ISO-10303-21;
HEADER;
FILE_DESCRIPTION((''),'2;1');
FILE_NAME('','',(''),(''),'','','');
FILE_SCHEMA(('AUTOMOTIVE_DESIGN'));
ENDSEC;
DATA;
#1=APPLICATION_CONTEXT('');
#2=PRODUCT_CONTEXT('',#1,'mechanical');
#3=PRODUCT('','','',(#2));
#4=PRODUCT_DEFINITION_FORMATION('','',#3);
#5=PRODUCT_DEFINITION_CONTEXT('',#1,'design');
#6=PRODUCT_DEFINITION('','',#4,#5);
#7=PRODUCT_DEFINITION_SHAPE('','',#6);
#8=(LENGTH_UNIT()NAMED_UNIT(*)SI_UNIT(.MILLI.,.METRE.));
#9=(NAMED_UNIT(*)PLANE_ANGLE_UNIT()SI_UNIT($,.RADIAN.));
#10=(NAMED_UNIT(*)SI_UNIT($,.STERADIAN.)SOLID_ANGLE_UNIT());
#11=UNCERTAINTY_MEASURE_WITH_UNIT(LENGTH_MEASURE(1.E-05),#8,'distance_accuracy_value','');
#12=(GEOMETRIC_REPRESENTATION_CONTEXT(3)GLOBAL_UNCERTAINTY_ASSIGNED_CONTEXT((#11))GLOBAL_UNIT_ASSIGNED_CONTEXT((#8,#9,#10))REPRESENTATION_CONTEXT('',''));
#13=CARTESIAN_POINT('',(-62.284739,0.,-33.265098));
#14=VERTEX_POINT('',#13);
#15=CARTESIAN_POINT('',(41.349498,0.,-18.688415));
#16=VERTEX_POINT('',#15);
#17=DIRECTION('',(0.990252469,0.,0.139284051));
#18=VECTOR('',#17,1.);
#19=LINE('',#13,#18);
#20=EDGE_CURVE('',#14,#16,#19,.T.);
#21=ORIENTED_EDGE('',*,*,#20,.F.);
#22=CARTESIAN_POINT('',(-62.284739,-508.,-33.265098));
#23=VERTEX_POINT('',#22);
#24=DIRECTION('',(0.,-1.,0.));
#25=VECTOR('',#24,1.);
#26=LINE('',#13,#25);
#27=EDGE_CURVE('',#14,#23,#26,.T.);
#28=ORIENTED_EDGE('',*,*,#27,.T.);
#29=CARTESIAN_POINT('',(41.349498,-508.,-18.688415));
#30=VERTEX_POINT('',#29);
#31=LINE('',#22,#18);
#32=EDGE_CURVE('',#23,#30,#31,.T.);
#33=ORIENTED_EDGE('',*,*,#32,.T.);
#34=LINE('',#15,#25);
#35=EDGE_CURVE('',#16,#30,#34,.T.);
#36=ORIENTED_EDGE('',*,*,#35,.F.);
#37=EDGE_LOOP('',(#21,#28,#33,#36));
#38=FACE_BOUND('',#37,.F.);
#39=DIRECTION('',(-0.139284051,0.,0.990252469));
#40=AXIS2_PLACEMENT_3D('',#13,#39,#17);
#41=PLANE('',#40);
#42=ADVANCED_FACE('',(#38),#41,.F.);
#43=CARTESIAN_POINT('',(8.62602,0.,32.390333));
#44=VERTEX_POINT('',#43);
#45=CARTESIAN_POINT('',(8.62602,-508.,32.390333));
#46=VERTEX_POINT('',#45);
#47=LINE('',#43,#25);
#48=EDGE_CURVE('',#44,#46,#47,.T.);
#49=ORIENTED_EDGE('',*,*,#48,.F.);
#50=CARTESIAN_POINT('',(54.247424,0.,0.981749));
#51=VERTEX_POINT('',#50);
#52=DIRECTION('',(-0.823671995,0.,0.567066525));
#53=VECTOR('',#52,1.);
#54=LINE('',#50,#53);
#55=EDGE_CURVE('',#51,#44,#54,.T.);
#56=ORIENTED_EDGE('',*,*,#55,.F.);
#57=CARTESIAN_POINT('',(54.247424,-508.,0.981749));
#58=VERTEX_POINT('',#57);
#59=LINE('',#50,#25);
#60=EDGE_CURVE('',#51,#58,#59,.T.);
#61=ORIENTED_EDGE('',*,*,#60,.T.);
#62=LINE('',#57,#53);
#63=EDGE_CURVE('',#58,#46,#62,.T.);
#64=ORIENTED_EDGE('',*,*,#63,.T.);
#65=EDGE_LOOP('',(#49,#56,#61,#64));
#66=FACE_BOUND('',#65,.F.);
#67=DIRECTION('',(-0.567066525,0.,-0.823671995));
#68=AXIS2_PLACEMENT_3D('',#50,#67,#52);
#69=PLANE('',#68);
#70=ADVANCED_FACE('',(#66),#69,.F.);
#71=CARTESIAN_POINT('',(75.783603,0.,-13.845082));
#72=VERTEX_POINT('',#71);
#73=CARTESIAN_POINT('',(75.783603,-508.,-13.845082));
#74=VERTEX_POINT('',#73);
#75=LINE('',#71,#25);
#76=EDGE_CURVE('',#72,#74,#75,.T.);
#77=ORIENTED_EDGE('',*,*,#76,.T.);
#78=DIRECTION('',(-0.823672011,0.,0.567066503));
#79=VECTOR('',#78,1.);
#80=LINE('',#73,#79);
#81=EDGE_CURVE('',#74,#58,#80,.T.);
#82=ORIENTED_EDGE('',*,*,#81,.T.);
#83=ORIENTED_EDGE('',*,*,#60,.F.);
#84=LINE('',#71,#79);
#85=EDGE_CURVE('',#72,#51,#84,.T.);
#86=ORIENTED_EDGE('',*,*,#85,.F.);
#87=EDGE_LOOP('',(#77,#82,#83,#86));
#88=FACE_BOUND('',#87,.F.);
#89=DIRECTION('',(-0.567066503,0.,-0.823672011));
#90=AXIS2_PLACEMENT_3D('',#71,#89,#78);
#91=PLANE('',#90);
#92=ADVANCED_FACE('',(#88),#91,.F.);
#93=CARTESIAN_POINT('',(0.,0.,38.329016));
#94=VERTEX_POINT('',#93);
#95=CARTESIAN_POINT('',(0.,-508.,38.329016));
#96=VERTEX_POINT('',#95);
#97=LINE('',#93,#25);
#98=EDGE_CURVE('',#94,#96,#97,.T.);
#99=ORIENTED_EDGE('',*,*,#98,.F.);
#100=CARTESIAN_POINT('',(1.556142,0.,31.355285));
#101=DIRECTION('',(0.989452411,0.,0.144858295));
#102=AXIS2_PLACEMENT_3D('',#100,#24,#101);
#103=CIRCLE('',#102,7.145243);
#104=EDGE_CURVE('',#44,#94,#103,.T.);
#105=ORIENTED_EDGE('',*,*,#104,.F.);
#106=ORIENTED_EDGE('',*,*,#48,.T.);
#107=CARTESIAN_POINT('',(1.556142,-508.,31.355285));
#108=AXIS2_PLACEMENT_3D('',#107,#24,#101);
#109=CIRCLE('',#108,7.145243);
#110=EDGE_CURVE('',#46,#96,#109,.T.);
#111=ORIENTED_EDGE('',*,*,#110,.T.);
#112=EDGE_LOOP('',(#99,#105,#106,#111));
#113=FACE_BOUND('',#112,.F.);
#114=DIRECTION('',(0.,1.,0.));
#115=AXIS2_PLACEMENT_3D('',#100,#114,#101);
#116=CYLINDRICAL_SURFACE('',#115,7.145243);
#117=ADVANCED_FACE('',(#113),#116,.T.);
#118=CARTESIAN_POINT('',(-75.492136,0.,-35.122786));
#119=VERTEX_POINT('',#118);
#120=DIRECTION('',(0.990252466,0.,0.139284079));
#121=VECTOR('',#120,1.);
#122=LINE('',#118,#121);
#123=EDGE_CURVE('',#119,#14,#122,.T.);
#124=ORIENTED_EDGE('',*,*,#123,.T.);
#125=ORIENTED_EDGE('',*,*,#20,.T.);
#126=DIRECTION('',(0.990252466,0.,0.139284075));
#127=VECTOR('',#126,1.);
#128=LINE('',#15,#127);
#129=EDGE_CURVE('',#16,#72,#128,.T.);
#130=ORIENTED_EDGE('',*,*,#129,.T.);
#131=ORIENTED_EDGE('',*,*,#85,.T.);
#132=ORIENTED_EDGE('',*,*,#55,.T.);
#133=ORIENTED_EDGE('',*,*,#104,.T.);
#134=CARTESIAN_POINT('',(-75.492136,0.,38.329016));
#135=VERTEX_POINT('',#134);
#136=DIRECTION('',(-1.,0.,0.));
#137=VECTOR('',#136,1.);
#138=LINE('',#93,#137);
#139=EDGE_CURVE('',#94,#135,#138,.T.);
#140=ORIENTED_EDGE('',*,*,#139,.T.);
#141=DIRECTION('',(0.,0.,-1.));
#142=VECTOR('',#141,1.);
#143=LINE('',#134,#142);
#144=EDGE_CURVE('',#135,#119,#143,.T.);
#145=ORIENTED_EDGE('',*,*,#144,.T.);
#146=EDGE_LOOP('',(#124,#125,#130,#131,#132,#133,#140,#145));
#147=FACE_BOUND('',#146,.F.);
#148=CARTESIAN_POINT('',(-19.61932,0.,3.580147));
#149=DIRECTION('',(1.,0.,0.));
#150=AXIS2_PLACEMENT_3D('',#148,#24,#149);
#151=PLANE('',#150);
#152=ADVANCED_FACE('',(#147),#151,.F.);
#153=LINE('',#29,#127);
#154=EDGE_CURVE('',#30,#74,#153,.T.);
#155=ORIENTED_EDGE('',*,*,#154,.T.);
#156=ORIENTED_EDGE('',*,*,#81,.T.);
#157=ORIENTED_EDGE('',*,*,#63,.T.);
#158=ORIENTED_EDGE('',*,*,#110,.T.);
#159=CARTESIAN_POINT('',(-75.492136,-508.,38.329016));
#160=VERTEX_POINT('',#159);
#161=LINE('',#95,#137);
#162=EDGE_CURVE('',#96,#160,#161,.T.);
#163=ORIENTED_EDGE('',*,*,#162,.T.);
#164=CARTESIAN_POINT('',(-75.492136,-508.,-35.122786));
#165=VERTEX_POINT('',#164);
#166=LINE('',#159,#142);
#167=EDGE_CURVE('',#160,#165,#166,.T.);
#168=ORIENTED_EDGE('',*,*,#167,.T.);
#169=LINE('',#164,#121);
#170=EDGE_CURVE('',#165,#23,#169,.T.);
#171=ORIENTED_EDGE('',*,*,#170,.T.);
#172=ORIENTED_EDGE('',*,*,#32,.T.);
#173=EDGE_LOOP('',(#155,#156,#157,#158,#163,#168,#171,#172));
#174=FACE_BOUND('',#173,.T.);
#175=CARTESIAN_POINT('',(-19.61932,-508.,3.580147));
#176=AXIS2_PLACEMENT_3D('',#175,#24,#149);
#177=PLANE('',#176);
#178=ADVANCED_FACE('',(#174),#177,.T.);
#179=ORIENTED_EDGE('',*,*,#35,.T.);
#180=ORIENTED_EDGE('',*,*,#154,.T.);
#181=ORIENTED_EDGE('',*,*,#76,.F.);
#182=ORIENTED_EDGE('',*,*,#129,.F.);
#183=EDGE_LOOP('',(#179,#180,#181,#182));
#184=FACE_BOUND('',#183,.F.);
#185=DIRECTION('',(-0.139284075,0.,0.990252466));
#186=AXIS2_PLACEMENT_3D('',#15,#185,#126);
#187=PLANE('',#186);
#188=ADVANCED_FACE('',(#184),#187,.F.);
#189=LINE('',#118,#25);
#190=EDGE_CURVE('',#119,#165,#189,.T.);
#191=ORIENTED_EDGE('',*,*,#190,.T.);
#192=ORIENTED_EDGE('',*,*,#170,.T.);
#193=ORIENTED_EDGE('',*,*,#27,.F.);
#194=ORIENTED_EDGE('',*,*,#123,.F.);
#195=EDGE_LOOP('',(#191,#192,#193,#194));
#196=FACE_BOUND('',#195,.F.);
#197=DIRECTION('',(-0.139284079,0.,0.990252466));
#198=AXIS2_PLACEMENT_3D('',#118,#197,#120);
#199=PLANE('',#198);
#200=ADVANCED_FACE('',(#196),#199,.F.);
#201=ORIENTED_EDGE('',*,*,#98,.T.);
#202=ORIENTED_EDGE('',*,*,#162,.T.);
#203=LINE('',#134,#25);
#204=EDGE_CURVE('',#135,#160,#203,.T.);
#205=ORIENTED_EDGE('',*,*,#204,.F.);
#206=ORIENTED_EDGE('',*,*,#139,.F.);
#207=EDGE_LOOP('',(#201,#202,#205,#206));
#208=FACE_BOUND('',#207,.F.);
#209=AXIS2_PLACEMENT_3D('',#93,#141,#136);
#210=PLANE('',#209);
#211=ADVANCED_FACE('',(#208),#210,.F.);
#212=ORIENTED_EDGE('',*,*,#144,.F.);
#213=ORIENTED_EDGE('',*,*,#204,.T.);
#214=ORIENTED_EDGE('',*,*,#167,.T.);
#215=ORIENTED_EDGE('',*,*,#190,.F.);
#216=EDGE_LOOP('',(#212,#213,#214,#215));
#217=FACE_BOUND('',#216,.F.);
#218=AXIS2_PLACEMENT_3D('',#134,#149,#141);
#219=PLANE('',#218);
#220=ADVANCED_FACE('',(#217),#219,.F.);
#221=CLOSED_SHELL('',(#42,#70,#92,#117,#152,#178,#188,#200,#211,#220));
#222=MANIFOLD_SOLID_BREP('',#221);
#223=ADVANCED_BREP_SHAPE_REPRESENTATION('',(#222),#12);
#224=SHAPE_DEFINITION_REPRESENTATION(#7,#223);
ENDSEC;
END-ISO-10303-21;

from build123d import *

# Parameters (mm, degrees)
F1_DEPTH = 508


with BuildPart() as f1:
    # F0 (on Front) → F1 (new body)
    with BuildSketch(Plane.XZ):
        with BuildLine():
            Line((0, 38.329016), (-75.492136, 38.329016))
            Line((-75.492136, 38.329016), (-75.492136, -20.949349))
            ThreePointArc((-75.492136, -20.949349), (-65.252964, -23.208546), (-62.284739, -33.265098))
            Line((-62.284739, -33.265098), (41.349498, -18.688415))
            ThreePointArc((41.349498, -18.688415), (44.09585, -6.425493), (54.247424, 0.981749))
            Line((54.247424, 0.981749), (8.62602, 32.390333))
            Line((8.62602, 32.390333), (0, 38.329016))
        make_face()
        with BuildLine():
            ThreePointArc((8.62602, 32.390333), (5.60797, 37.240622), (0, 38.329016))
            Line((0, 38.329016), (8.62602, 32.390333))
        make_face()
        with BuildLine():
            ThreePointArc((-62.284739, -33.265098), (-65.252964, -23.208546), (-75.492136, -20.949349))
            Line((-75.492136, -20.949349), (-75.492136, -35.122786))
            Line((-75.492136, -35.122786), (-62.284739, -33.265098))
        make_face()
        with BuildLine():
            Line((75.783603, -13.845082), (54.247424, 0.981749))
            ThreePointArc((54.247424, 0.981749), (44.09585, -6.425493), (41.349498, -18.688415))
            Line((41.349498, -18.688415), (75.783603, -13.845082))
        make_face()
    extrude(amount=F1_DEPTH)


solid = f1.part
